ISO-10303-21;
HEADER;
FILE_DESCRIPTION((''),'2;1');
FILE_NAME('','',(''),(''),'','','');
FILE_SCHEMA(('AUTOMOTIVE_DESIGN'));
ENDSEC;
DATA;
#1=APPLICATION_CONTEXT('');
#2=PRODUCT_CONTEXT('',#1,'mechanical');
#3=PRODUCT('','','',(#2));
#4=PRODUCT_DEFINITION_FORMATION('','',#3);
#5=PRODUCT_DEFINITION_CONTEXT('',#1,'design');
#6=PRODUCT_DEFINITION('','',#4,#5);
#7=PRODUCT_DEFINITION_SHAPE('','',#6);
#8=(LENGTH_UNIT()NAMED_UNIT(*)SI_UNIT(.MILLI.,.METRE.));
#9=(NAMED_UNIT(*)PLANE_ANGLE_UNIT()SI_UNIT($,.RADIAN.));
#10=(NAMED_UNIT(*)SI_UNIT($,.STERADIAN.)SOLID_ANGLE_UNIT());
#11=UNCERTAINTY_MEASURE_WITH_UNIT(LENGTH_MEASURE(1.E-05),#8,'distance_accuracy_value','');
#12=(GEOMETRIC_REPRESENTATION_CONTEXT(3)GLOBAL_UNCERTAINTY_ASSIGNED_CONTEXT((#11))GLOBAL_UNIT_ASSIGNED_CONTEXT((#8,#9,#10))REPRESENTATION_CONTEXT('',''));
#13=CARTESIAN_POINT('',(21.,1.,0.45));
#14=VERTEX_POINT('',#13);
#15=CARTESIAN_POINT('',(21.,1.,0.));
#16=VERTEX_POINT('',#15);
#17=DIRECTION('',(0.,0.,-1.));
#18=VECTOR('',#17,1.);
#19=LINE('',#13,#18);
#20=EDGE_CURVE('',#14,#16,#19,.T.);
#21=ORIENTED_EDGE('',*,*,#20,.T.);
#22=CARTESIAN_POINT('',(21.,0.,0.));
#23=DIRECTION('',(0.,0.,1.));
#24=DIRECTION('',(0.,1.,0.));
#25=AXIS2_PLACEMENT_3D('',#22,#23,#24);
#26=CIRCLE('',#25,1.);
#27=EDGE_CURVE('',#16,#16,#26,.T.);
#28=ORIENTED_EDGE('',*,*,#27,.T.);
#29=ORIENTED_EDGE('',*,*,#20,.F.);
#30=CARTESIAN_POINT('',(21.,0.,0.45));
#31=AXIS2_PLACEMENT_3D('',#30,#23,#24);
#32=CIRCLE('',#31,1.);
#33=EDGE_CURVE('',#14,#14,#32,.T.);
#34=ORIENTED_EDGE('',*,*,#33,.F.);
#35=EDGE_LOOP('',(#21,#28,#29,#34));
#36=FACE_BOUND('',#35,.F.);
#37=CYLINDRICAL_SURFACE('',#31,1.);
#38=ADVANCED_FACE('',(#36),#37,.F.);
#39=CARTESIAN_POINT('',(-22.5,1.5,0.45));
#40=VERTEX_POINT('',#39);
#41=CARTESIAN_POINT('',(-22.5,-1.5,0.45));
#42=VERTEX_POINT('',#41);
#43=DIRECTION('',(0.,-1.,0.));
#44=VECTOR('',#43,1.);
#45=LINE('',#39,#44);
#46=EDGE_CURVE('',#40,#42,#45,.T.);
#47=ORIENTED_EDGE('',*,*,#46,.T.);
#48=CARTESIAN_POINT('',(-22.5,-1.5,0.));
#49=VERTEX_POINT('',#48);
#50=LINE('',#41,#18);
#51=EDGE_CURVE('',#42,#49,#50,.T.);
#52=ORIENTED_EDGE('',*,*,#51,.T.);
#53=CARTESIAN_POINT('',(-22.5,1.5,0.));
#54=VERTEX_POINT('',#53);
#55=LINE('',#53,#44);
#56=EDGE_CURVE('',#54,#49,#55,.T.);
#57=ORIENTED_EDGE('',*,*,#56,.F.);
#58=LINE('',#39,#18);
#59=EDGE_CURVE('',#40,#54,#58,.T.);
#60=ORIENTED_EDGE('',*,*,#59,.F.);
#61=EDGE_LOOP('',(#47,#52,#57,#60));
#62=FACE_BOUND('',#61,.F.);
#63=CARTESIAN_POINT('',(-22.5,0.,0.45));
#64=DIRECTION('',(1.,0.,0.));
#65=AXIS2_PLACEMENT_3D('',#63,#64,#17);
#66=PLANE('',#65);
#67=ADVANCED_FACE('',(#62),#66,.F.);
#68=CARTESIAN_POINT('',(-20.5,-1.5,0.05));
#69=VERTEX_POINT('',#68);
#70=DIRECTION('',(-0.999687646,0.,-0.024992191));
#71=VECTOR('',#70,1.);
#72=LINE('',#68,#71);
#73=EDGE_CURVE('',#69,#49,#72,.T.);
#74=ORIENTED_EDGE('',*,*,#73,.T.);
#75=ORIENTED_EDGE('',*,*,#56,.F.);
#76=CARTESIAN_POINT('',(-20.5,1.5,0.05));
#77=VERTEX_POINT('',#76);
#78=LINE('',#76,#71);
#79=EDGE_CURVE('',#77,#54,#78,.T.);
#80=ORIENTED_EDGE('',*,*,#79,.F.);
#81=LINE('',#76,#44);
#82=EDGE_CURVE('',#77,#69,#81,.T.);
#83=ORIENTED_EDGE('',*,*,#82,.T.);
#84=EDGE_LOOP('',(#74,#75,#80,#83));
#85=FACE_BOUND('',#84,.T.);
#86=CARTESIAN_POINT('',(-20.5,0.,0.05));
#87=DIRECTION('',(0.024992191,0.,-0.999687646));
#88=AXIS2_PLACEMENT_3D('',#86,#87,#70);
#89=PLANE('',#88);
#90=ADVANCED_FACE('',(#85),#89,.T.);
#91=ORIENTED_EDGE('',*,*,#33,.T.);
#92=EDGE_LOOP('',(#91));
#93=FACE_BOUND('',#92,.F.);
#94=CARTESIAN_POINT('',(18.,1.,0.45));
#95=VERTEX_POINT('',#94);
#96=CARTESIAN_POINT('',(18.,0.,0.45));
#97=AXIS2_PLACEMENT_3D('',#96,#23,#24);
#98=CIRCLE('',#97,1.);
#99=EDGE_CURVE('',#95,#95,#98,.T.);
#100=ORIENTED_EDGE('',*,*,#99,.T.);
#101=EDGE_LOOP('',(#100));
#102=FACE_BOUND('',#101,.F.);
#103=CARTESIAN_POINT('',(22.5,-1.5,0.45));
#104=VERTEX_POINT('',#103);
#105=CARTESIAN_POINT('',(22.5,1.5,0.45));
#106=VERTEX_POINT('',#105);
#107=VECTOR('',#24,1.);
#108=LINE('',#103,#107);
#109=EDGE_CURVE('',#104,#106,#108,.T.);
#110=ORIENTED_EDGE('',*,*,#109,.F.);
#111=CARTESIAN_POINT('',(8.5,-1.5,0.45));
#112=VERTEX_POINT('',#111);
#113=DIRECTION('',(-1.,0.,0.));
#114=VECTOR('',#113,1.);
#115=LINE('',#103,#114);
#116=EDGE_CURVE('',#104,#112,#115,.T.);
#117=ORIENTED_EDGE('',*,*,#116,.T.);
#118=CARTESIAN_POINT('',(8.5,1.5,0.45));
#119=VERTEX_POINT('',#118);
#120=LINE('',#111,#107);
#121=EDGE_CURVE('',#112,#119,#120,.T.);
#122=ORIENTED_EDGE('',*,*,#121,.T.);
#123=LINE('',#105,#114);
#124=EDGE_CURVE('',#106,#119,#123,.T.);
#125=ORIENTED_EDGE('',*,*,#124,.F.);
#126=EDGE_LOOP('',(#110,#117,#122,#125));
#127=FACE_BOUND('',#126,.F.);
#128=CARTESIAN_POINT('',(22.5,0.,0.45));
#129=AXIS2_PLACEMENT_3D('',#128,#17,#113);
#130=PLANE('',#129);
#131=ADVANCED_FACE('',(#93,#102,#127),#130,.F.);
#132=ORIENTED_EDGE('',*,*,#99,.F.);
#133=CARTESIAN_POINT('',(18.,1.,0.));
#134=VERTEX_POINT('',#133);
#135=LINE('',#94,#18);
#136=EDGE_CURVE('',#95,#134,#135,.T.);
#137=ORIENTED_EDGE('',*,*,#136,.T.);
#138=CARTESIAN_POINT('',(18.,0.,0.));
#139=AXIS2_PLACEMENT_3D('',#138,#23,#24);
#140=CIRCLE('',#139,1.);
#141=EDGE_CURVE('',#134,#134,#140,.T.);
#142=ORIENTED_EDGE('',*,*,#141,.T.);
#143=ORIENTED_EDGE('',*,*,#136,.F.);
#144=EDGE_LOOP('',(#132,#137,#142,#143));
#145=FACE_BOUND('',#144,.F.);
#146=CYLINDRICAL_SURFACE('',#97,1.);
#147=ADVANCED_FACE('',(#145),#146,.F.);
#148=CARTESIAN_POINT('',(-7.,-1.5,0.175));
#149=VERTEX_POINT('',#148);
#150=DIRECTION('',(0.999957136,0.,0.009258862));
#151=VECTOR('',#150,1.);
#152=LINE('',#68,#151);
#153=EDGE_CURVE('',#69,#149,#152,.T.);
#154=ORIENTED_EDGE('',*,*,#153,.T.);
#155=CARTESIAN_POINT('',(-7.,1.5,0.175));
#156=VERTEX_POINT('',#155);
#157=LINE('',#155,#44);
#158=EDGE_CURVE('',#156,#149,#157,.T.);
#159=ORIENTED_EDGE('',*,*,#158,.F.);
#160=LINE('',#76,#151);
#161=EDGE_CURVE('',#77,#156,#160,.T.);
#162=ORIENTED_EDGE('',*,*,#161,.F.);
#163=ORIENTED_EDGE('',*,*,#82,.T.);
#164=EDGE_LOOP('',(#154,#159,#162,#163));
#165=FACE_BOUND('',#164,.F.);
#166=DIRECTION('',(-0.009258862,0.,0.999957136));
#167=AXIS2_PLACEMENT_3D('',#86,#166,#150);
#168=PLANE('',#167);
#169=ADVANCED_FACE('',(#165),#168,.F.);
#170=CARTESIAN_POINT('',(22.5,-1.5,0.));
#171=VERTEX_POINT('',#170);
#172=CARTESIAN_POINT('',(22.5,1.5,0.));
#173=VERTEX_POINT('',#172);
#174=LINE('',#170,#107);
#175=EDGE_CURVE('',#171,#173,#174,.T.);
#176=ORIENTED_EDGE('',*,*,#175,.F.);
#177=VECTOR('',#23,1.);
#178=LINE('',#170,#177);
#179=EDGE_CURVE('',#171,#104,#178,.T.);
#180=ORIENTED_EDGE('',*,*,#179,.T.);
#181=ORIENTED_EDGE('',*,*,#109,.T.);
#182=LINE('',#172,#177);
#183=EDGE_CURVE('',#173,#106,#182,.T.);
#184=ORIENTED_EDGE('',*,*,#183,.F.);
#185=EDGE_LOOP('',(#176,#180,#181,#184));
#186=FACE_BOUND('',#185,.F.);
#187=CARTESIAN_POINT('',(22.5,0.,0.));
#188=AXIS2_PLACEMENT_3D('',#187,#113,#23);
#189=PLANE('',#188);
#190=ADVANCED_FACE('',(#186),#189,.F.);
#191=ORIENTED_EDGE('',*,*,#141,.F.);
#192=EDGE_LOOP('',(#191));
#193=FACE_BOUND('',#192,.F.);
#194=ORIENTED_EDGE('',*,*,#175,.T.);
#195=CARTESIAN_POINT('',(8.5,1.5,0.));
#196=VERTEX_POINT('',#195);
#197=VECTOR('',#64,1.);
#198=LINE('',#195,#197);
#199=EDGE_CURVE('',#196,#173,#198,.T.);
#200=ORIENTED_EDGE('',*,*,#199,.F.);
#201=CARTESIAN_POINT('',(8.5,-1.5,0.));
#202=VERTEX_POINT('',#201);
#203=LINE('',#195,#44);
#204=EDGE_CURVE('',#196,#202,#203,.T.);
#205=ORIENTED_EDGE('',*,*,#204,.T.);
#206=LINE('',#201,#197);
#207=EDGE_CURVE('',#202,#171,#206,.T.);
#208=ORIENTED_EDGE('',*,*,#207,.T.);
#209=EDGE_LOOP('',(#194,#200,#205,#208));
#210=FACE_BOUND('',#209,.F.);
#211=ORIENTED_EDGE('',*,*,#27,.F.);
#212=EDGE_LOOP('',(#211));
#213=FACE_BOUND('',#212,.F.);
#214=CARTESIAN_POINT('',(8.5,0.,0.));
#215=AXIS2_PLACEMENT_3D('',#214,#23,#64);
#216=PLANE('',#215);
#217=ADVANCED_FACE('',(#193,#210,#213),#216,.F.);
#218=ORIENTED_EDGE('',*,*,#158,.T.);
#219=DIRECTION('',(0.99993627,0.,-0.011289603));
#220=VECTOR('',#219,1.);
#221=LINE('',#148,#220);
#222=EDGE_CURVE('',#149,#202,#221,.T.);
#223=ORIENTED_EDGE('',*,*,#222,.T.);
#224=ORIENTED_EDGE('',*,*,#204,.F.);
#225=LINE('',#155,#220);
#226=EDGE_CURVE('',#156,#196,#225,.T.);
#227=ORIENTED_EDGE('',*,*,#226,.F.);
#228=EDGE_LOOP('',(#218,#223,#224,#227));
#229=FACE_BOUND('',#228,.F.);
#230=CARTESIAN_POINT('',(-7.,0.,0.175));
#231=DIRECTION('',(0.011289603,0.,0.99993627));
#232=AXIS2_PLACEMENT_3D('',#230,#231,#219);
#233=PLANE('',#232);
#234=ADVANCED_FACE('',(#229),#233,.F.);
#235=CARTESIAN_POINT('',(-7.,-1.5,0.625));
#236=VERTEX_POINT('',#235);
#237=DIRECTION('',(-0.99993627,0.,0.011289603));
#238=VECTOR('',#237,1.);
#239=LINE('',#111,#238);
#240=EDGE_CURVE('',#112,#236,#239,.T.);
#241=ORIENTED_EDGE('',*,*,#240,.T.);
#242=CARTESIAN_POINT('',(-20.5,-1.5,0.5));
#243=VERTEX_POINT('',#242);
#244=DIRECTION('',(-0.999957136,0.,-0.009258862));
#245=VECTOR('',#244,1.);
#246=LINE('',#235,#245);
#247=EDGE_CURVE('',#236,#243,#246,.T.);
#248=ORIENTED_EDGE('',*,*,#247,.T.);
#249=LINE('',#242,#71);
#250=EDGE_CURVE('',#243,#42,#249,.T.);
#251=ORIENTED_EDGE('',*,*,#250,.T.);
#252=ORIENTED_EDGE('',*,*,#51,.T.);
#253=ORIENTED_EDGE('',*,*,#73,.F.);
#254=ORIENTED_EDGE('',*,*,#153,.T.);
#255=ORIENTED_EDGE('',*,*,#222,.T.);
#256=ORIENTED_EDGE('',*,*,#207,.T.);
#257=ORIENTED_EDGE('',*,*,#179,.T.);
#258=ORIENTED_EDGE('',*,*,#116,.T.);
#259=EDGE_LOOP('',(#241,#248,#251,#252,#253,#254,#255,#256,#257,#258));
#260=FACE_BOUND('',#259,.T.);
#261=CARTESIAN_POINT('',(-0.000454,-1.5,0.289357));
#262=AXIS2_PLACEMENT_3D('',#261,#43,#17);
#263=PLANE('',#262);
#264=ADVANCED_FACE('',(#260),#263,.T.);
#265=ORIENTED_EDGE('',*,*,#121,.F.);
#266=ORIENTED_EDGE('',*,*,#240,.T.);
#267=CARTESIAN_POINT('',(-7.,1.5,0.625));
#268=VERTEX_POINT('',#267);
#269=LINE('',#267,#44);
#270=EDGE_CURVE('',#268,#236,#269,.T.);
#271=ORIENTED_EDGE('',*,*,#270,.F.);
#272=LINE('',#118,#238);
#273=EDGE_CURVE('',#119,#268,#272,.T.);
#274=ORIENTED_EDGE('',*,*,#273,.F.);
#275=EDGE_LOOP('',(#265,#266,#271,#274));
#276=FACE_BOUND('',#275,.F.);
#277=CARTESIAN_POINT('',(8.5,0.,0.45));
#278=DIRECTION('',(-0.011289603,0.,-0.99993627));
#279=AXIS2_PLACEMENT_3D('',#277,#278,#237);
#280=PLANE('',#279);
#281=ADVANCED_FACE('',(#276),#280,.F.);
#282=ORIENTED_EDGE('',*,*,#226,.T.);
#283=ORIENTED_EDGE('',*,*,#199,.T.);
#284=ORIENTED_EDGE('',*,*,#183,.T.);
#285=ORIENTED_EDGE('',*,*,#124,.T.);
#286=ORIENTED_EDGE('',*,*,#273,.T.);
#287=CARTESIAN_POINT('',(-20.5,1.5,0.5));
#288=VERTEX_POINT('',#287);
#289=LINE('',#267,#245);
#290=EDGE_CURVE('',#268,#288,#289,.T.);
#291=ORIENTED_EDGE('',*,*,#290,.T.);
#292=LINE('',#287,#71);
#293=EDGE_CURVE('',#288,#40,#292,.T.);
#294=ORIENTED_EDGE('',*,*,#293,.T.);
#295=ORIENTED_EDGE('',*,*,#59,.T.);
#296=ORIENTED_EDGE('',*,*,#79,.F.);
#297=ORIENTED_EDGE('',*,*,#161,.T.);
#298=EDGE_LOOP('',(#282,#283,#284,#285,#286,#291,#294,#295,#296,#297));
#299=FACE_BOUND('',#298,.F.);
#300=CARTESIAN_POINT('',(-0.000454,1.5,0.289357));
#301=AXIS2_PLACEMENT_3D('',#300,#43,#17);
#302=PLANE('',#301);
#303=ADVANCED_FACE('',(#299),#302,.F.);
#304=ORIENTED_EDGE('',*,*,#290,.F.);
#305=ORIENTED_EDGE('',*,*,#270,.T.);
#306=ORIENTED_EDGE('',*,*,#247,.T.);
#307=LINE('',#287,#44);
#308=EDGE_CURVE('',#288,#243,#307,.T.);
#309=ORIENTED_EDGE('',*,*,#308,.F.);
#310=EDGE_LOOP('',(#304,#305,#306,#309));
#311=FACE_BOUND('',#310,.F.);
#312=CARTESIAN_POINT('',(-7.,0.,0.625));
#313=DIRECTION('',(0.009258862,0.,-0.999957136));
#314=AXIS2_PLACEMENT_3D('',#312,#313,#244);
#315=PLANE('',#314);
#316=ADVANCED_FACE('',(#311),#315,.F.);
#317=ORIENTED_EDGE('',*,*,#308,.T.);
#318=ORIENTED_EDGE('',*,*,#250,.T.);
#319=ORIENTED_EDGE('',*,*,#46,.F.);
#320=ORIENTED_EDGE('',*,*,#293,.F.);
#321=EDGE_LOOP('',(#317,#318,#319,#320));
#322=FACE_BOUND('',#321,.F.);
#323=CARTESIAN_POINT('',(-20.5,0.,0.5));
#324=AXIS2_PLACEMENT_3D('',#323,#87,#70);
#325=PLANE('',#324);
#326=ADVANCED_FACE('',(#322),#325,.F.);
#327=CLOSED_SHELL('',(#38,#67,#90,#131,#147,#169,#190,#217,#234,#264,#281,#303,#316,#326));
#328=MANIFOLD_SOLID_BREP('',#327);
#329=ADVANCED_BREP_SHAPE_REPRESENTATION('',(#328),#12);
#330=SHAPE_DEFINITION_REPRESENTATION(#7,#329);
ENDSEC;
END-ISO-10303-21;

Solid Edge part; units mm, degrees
sketch "Sketch1" plane through (0, 0, 0) normal (0, -1, 0) x (1, 0, 0)
  line L0 (8.5, 0.45) -> (-7, 0.625)
  line L1 (-7, 0.625) -> (-20.5, 0.5)
  line L2 (-20.5, 0.5) -> (-22.5, 0.45)
  line L3 (-22.5, 0.45) -> (-22.5, 0)
  line L4 (-20.5, 0.05) -> (-22.5, 0)
  line L5 (-20.5, 0.05) -> (-7, 0.175)
  line L6 (-7, 0.175) -> (8.5, 0)
  line L7 (8.5, 0) -> (22.5, 0)
  line L8 (22.5, 0) -> (22.5, 0.45)
  line L9 (22.5, 0.45) -> (8.5, 0.45)
extrude "Protrusion1" add sketch "Sketch1" along normal mid plane 3
sketch "Sketch2" plane through (15.5, 0, 0.45) normal (0, 0, 1) x (0, 1, 0)
  circle A0 centre (0, -2.5) radius 1
extrude "ExtrudedCutout_3" cut sketch "Sketch2" against normal blind 0.45
sketch "Sketch3" plane through (15.5, 0, 0.45) normal (0, 0, 1) x (0, 1, 0)
  circle A0 centre (0, -5.5) radius 1
extrude "ExtrudedCutout_4" cut sketch "Sketch3" against normal blind 0.45
